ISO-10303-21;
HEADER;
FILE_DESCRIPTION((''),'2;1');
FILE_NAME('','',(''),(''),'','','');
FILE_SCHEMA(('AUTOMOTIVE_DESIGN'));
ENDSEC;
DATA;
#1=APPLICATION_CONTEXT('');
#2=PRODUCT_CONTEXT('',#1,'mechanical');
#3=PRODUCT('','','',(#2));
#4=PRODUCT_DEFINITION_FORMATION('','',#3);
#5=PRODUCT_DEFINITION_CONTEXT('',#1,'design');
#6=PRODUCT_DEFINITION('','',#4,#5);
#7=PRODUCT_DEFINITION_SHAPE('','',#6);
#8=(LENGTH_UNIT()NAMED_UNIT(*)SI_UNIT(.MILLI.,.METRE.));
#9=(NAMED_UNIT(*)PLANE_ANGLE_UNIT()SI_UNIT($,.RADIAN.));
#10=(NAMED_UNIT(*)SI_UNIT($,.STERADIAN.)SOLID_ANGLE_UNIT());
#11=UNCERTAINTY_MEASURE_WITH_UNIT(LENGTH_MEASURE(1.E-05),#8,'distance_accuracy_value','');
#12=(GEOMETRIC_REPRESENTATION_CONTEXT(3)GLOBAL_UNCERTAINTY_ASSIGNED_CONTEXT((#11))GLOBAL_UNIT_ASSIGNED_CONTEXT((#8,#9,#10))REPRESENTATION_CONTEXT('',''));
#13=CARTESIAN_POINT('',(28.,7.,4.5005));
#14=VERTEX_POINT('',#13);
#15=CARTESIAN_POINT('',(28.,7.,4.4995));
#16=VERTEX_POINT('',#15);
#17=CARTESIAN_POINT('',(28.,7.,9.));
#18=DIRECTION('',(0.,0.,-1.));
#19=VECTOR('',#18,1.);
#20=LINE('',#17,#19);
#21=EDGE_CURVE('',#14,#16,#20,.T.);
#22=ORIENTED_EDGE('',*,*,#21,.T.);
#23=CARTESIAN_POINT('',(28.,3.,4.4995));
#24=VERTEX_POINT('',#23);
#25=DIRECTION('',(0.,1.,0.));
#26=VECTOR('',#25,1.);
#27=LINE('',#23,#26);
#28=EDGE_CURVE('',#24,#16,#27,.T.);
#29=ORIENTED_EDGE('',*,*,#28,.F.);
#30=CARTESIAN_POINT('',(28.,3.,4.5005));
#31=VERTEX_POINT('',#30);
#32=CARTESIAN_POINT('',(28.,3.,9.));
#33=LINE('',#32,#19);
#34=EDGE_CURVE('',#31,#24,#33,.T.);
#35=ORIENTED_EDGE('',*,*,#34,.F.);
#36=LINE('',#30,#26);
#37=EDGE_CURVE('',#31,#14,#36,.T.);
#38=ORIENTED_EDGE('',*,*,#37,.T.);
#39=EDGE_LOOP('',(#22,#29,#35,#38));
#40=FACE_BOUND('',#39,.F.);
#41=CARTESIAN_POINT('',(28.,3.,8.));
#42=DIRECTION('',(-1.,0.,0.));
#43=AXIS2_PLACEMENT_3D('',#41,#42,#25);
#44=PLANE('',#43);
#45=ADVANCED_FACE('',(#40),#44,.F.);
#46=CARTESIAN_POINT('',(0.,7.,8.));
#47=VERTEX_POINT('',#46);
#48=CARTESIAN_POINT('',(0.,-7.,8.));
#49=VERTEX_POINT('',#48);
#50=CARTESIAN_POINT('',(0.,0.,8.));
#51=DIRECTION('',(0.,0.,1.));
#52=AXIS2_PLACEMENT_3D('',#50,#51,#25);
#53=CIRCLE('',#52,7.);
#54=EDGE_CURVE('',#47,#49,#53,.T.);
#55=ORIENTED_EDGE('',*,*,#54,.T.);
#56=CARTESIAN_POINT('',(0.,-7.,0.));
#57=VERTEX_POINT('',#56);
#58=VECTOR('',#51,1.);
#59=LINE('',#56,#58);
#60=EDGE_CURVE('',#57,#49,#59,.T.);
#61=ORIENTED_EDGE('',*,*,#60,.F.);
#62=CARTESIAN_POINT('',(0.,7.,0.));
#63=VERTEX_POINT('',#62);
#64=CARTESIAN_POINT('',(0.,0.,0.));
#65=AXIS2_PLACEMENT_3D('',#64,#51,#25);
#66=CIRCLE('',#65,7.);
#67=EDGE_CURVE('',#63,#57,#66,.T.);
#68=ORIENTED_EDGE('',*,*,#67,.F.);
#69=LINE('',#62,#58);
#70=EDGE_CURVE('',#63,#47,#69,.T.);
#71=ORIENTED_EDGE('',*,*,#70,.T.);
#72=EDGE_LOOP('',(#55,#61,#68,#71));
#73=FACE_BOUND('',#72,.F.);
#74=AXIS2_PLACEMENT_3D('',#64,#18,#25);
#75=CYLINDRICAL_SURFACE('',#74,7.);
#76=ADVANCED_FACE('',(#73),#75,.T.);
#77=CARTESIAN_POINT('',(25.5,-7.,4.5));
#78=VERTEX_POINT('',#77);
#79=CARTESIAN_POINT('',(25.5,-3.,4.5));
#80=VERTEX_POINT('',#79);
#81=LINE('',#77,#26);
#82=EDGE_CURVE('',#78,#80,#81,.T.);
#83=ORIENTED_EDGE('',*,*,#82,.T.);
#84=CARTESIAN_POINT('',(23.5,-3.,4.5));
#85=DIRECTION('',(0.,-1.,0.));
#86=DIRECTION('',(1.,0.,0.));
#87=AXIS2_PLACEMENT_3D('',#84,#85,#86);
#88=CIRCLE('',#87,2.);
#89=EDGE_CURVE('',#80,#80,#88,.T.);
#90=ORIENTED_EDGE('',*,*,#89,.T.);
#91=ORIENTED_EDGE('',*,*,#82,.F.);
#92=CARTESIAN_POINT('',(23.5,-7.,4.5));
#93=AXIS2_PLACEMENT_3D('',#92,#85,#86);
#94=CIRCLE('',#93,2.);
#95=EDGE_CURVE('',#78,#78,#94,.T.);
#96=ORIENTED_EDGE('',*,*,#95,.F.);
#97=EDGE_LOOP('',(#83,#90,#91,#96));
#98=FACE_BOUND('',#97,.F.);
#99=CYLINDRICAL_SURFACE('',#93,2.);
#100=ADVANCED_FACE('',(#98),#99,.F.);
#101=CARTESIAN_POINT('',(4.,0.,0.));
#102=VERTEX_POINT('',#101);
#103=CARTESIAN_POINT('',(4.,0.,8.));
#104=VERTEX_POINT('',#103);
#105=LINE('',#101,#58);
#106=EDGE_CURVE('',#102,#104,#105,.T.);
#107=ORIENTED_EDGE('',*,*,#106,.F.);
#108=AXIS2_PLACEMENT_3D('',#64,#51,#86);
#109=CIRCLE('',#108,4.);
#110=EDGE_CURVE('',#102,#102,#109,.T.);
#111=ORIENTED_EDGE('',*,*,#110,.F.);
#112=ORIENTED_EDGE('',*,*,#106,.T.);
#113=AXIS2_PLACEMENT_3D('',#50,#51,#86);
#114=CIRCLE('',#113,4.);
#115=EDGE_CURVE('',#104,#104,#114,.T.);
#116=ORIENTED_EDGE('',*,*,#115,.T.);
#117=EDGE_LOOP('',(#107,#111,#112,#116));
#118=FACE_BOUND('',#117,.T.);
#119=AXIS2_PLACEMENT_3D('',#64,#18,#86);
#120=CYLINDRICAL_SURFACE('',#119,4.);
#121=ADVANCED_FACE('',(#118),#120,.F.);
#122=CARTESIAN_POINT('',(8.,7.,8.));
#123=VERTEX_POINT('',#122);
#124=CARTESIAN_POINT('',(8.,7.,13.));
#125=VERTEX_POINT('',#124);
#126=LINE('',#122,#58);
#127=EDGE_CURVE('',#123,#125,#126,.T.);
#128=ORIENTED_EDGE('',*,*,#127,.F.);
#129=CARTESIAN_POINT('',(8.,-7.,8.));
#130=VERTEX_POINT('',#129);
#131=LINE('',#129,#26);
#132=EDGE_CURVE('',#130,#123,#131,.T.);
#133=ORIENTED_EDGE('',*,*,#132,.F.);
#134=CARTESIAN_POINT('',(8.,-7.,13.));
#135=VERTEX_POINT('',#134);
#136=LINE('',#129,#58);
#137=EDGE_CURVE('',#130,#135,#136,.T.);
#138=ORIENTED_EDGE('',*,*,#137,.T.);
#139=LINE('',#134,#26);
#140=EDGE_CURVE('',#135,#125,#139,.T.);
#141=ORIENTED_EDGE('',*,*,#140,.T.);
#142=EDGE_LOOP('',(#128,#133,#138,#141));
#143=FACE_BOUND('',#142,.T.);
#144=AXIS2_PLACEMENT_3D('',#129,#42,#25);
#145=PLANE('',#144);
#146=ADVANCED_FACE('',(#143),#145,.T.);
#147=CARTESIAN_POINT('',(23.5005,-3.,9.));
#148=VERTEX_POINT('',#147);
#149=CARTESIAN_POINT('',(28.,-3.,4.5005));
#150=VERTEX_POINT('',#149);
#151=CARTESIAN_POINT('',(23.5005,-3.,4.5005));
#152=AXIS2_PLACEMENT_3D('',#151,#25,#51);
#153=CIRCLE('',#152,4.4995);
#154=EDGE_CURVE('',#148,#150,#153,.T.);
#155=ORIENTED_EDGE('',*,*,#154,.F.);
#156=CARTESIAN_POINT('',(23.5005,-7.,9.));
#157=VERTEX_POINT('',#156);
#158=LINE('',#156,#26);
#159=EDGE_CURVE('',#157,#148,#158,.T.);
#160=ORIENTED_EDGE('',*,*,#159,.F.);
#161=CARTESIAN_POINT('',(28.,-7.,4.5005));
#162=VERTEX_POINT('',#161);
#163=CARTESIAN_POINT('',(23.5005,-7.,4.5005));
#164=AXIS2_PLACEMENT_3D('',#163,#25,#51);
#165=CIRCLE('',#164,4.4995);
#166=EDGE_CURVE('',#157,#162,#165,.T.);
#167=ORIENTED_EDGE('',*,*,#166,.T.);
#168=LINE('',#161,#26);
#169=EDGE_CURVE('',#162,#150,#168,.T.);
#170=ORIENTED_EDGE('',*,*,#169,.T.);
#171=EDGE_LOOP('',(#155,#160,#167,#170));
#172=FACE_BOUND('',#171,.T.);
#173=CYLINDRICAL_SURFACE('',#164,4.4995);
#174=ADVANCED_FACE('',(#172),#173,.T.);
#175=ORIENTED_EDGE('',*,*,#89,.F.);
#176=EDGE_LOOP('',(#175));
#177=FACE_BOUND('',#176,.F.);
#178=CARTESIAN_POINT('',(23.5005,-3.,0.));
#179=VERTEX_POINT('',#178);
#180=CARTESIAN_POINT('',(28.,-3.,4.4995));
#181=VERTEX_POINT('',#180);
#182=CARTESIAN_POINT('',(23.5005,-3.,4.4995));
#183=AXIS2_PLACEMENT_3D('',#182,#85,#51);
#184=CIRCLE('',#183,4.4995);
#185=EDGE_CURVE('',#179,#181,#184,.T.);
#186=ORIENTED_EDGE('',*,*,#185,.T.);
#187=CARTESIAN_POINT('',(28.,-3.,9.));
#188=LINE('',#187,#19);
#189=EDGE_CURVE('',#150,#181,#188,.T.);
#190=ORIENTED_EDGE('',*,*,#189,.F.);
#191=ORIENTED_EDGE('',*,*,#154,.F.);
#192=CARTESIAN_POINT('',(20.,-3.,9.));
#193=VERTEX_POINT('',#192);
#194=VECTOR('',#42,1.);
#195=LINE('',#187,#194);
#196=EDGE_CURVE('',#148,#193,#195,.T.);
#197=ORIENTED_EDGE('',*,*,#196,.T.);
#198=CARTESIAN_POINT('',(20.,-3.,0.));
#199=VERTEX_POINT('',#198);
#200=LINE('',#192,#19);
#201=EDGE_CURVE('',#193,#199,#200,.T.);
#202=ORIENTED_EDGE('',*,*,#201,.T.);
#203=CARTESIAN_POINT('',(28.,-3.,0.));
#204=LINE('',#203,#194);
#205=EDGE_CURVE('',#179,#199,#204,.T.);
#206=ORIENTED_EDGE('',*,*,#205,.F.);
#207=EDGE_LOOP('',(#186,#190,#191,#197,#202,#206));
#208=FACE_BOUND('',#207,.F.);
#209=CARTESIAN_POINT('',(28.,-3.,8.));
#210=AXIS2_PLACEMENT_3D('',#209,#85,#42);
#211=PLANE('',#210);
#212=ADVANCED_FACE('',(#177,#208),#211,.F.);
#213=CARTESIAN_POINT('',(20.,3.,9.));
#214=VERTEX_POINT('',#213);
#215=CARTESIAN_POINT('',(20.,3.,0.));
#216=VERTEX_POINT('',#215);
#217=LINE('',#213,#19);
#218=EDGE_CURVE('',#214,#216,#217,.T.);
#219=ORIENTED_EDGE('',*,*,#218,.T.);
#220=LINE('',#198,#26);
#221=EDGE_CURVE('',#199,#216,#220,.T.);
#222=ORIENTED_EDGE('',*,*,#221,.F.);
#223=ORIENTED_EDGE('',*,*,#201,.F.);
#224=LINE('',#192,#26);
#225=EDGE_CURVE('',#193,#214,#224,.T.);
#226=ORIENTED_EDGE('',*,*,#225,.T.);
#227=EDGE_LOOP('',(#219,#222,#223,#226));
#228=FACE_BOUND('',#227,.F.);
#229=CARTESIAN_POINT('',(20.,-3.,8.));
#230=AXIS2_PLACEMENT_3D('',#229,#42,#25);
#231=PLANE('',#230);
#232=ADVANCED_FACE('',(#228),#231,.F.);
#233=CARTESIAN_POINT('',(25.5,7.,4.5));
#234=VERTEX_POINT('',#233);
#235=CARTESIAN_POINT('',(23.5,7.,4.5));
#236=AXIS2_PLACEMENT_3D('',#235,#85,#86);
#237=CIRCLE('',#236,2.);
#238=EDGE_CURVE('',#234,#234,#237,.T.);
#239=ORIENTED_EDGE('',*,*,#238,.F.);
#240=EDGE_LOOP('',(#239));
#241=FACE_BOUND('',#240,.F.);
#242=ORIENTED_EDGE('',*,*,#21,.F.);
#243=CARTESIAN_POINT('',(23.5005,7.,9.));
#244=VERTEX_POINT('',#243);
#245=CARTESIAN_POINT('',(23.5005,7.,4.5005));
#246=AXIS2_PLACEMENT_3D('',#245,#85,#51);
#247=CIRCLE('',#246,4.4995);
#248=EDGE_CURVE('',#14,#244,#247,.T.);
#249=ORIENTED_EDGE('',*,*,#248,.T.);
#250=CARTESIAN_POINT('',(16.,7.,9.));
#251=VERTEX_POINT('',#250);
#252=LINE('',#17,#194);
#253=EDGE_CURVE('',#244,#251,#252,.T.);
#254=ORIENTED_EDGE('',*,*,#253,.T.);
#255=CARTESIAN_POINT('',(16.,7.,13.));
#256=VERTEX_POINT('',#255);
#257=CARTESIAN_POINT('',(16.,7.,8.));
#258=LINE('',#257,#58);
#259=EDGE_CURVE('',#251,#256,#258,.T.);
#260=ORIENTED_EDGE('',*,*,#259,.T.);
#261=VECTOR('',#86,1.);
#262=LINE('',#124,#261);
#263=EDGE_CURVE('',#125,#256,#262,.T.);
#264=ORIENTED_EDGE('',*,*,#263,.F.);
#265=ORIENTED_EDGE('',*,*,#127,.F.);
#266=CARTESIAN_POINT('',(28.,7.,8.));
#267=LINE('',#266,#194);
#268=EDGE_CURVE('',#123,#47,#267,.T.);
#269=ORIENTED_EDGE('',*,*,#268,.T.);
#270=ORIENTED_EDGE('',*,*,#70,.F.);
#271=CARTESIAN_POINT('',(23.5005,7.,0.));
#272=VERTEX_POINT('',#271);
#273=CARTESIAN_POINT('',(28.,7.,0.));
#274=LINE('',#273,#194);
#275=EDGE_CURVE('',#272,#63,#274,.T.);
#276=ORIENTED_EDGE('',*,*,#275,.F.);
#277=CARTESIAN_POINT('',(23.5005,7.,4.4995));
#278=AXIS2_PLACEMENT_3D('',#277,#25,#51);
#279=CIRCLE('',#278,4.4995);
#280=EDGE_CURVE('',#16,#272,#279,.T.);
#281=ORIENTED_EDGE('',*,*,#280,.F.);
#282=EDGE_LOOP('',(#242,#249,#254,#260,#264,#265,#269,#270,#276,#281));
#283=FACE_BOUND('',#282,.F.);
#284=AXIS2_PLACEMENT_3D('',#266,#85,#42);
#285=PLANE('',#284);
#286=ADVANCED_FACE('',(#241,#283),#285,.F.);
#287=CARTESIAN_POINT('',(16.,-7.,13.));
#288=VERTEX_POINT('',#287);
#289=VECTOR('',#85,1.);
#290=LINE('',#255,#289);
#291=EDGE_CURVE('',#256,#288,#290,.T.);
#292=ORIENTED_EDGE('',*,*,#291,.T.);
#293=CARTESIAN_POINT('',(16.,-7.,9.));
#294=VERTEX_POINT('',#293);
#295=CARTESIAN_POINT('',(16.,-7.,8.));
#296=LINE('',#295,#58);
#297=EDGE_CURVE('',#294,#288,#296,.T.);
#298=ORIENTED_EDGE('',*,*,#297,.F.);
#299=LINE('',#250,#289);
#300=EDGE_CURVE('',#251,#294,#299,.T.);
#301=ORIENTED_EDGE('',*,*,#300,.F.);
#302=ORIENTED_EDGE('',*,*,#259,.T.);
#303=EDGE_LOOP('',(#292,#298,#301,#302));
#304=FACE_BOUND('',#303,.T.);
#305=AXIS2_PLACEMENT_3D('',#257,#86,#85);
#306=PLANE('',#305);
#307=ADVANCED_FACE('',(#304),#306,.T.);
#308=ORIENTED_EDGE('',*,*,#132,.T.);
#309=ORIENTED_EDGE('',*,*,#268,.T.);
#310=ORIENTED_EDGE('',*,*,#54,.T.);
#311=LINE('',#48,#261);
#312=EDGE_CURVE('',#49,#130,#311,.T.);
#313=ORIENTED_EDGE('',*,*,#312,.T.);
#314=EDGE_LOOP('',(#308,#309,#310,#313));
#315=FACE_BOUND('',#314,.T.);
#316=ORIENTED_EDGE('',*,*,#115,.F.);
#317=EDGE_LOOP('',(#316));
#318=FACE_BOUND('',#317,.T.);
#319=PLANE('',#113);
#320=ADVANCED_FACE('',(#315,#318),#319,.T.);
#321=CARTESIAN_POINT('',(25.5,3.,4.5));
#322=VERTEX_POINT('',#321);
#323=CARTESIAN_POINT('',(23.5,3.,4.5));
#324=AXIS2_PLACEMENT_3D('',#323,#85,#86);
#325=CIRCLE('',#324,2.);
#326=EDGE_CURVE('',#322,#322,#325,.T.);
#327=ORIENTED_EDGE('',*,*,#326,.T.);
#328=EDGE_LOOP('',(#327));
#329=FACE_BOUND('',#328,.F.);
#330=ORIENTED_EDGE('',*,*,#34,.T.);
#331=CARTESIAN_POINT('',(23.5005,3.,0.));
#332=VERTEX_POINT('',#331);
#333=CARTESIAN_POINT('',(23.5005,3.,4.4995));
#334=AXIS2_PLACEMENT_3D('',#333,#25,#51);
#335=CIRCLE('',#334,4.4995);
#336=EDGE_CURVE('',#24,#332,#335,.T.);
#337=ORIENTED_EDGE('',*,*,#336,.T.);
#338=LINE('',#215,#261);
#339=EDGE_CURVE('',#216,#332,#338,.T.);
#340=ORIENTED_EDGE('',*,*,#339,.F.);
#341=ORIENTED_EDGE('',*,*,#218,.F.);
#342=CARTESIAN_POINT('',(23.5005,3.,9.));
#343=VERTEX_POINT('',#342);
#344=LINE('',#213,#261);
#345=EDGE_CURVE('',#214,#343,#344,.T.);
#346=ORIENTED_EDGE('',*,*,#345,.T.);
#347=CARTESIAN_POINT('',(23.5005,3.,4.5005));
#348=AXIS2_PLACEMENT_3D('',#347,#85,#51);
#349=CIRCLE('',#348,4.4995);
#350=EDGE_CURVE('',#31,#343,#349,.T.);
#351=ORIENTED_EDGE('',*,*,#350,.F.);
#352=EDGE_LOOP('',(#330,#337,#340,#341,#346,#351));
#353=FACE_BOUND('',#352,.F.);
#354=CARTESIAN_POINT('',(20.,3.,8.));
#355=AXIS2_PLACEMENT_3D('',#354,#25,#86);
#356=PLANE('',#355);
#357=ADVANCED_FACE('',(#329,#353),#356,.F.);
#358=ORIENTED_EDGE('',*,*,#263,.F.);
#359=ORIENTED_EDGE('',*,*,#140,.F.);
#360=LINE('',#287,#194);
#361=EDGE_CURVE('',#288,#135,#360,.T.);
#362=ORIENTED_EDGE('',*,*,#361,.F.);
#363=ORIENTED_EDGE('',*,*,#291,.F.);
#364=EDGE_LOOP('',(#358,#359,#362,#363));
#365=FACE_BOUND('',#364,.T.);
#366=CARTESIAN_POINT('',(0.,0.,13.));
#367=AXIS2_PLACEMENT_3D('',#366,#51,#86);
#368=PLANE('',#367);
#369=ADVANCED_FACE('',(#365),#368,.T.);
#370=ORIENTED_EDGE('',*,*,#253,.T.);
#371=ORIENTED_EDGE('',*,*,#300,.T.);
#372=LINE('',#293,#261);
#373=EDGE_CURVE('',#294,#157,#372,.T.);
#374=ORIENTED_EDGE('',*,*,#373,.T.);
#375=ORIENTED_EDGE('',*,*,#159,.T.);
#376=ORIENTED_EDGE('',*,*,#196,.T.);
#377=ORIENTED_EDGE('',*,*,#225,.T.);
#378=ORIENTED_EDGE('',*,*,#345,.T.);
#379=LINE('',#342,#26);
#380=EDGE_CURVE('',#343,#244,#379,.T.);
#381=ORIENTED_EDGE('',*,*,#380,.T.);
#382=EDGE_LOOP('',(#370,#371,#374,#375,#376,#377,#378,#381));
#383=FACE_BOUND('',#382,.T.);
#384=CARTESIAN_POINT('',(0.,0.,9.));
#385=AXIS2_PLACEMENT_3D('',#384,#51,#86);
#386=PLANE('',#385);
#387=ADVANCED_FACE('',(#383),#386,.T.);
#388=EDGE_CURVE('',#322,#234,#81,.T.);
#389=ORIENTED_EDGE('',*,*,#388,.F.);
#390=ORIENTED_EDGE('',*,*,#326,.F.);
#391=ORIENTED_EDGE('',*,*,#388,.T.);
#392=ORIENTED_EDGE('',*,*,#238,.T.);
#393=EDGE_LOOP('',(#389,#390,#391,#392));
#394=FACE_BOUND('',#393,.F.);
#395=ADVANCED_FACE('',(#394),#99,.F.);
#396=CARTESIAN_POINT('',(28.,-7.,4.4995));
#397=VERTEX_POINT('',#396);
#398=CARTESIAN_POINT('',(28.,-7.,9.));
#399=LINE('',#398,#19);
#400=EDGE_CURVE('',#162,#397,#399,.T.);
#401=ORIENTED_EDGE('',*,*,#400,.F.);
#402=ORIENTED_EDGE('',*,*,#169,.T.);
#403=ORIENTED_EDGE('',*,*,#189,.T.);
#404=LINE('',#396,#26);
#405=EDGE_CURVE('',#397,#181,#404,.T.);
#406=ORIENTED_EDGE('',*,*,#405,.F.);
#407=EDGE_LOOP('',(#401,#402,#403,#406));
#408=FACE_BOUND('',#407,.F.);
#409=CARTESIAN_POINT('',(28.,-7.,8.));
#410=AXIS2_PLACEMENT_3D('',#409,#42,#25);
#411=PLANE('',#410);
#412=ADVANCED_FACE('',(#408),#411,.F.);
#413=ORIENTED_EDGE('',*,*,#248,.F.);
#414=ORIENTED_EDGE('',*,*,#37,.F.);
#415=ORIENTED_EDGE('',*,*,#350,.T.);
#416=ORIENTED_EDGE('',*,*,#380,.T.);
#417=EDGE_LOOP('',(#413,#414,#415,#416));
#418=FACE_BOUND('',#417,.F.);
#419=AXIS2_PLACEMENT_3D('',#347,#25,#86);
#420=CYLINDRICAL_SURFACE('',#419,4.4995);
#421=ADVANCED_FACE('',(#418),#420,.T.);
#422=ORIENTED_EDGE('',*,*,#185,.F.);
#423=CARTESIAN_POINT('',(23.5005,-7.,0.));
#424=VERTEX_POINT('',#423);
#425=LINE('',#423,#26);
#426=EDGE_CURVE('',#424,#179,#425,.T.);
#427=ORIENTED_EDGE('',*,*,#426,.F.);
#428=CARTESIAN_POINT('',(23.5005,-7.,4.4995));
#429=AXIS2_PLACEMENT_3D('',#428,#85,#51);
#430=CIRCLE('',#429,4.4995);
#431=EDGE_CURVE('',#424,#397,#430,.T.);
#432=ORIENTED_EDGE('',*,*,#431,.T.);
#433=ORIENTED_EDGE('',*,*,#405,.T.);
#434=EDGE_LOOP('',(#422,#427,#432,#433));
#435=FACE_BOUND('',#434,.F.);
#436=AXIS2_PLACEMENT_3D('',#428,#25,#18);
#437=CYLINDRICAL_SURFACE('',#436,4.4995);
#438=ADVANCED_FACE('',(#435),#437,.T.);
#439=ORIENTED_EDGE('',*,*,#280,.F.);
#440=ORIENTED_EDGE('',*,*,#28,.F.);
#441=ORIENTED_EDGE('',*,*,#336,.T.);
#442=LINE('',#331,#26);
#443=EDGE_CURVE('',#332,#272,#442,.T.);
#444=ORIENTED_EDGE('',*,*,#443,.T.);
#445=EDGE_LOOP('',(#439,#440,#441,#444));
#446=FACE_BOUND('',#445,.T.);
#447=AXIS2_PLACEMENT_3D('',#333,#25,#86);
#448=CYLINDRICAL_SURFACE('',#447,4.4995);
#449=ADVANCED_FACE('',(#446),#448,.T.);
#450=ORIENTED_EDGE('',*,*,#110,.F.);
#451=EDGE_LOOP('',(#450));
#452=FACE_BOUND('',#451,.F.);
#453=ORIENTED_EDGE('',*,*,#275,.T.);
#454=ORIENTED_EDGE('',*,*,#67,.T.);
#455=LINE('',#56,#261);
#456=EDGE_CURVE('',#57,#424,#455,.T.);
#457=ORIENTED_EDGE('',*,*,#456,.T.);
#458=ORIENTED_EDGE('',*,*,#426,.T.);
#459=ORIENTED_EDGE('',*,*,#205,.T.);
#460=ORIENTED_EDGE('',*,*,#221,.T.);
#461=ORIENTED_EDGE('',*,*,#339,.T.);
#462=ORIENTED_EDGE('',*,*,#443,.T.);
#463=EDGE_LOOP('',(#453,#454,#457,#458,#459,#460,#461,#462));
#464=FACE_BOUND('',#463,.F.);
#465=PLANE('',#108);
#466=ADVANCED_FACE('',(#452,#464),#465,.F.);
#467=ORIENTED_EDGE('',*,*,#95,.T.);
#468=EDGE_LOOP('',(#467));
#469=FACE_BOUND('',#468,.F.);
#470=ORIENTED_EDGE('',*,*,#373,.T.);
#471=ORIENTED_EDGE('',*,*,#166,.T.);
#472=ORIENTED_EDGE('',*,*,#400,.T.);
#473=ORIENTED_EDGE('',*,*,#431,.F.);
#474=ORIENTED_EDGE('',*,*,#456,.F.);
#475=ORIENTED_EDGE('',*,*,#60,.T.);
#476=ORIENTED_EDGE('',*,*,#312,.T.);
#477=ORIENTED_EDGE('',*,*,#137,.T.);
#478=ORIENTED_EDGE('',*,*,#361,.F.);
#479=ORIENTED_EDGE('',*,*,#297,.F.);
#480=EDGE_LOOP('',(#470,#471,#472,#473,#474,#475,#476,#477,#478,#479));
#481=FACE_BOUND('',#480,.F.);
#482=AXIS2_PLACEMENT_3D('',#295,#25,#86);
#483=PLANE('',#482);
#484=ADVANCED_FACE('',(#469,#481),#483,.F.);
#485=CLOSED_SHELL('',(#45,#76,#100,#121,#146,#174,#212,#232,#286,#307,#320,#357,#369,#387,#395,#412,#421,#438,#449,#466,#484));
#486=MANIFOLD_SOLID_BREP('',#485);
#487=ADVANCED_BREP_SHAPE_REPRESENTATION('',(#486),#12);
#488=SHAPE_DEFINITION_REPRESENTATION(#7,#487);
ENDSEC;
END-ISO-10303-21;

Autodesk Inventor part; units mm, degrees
ref_plane "YZ Plane" through (0, 0, 0) normal (1, 0, 0) x (0, 1, 0)
ref_plane "XZ Plane" through (0, 0, 0) normal (0, 1, 0) x (-1, 0, 0)
ref_plane "XY Plane" through (0, 0, 0) normal (0, 0, 1) x (1, 0, 0)
sketch "Náčrt1" plane through (0, 0, 0) normal (0, 0, 1) x (1, 0, 0)
  circle A0 centre (0, 0) radius 4
  arc A1 (0, 7) -> (0, -7) centre (0, 0) ccw
  line L0 (0, -9.8) -> (0, 9.8) construction
  line L1 (-14, 0) -> (35, 0) construction
  line L2 (0, -7) -> (28, -7)
  line L3 (28, -7) -> (28, -3)
  line L4 (28, -3) -> (20, -3)
  line L5 (20, -3) -> (20, 3)
  line L6 (20, 3) -> (28, 3)
  line L7 (28, 3) -> (28, 7)
  line L8 (28, 7) -> (0, 7)
  dimension "d0" = 8
  dimension "d1" = 14
  dimension "d2" = 4
  dimension "d3" = 4
  dimension "d4" = 6
  dimension "d5" = 8
  dimension "d6" = 28
extrude "Vysunutí1" add sketch "Náčrt1" along normal blind 8
sketch "Náčrt2" plane through (0, 0, 8) normal (0, 0, 1) x (1, 0, 0)
  line L0 (-14, 0) -> (35, 0) construction
  line L1 (0, -9.8) -> (0, 9.8) construction
  line L2 (8, 7) -> (16, 7)
  line L3 (16, 7) -> (16, -7)
  line L4 (16, -7) -> (8, -7)
  line L5 (8, -7) -> (8, 7)
  point P0 (0, 0)
  dimension "d10" = 8
  dimension "d11" = 8
  dimension "d12" = 7
  dimension "d13" = 7
extrude "Vysunutí2" add sketch "Náčrt2" along normal blind 5
sketch "Náčrt5" plane through (0, 0, 8) normal (0, 0, 1) x (1, 0, 0)
  line L0 (16, 7) -> (16, -7) projected
  line L1 (16, -7) -> (28, -7) projected
  line L2 (28, -7) -> (28, -3) projected
  line L3 (28, -3) -> (20, -3) projected
  line L4 (20, -3) -> (20, 3) projected
  line L5 (20, 3) -> (28, 3) projected
  line L6 (28, 3) -> (28, 7) projected
  line L7 (28, 7) -> (16, 7) projected
  point P0 (0, 0)
extrude "Vysunutí4" add sketch "Náčrt5" along normal blind 1
sketch "Náčrt6" plane through (0, -7, 0) normal (0, -1, 0) x (1, 0, 0)
  point P0 (0, 0)
fillet "Zaoblení2" radius 4.5 4 edges at (28, -5, 9) (28, -5, 0) (28, 5, 0) (28, 5, 9)
sketch "Náčrt7" plane through (0, -7, 0) normal (0, -1, 0) x (1, 0, 0)
  arc A0 (23.5, 0) -> (23.5, 9) centre (23.5, 4.5) ccw construction
  circle A1 centre (23.5, 4.5) radius 2
  point P0 (0, 0)
  dimension "d22" = 4
extrude "Vysunutí5" cut sketch "Náčrt7" against normal through all
properties part number "Součást15"
